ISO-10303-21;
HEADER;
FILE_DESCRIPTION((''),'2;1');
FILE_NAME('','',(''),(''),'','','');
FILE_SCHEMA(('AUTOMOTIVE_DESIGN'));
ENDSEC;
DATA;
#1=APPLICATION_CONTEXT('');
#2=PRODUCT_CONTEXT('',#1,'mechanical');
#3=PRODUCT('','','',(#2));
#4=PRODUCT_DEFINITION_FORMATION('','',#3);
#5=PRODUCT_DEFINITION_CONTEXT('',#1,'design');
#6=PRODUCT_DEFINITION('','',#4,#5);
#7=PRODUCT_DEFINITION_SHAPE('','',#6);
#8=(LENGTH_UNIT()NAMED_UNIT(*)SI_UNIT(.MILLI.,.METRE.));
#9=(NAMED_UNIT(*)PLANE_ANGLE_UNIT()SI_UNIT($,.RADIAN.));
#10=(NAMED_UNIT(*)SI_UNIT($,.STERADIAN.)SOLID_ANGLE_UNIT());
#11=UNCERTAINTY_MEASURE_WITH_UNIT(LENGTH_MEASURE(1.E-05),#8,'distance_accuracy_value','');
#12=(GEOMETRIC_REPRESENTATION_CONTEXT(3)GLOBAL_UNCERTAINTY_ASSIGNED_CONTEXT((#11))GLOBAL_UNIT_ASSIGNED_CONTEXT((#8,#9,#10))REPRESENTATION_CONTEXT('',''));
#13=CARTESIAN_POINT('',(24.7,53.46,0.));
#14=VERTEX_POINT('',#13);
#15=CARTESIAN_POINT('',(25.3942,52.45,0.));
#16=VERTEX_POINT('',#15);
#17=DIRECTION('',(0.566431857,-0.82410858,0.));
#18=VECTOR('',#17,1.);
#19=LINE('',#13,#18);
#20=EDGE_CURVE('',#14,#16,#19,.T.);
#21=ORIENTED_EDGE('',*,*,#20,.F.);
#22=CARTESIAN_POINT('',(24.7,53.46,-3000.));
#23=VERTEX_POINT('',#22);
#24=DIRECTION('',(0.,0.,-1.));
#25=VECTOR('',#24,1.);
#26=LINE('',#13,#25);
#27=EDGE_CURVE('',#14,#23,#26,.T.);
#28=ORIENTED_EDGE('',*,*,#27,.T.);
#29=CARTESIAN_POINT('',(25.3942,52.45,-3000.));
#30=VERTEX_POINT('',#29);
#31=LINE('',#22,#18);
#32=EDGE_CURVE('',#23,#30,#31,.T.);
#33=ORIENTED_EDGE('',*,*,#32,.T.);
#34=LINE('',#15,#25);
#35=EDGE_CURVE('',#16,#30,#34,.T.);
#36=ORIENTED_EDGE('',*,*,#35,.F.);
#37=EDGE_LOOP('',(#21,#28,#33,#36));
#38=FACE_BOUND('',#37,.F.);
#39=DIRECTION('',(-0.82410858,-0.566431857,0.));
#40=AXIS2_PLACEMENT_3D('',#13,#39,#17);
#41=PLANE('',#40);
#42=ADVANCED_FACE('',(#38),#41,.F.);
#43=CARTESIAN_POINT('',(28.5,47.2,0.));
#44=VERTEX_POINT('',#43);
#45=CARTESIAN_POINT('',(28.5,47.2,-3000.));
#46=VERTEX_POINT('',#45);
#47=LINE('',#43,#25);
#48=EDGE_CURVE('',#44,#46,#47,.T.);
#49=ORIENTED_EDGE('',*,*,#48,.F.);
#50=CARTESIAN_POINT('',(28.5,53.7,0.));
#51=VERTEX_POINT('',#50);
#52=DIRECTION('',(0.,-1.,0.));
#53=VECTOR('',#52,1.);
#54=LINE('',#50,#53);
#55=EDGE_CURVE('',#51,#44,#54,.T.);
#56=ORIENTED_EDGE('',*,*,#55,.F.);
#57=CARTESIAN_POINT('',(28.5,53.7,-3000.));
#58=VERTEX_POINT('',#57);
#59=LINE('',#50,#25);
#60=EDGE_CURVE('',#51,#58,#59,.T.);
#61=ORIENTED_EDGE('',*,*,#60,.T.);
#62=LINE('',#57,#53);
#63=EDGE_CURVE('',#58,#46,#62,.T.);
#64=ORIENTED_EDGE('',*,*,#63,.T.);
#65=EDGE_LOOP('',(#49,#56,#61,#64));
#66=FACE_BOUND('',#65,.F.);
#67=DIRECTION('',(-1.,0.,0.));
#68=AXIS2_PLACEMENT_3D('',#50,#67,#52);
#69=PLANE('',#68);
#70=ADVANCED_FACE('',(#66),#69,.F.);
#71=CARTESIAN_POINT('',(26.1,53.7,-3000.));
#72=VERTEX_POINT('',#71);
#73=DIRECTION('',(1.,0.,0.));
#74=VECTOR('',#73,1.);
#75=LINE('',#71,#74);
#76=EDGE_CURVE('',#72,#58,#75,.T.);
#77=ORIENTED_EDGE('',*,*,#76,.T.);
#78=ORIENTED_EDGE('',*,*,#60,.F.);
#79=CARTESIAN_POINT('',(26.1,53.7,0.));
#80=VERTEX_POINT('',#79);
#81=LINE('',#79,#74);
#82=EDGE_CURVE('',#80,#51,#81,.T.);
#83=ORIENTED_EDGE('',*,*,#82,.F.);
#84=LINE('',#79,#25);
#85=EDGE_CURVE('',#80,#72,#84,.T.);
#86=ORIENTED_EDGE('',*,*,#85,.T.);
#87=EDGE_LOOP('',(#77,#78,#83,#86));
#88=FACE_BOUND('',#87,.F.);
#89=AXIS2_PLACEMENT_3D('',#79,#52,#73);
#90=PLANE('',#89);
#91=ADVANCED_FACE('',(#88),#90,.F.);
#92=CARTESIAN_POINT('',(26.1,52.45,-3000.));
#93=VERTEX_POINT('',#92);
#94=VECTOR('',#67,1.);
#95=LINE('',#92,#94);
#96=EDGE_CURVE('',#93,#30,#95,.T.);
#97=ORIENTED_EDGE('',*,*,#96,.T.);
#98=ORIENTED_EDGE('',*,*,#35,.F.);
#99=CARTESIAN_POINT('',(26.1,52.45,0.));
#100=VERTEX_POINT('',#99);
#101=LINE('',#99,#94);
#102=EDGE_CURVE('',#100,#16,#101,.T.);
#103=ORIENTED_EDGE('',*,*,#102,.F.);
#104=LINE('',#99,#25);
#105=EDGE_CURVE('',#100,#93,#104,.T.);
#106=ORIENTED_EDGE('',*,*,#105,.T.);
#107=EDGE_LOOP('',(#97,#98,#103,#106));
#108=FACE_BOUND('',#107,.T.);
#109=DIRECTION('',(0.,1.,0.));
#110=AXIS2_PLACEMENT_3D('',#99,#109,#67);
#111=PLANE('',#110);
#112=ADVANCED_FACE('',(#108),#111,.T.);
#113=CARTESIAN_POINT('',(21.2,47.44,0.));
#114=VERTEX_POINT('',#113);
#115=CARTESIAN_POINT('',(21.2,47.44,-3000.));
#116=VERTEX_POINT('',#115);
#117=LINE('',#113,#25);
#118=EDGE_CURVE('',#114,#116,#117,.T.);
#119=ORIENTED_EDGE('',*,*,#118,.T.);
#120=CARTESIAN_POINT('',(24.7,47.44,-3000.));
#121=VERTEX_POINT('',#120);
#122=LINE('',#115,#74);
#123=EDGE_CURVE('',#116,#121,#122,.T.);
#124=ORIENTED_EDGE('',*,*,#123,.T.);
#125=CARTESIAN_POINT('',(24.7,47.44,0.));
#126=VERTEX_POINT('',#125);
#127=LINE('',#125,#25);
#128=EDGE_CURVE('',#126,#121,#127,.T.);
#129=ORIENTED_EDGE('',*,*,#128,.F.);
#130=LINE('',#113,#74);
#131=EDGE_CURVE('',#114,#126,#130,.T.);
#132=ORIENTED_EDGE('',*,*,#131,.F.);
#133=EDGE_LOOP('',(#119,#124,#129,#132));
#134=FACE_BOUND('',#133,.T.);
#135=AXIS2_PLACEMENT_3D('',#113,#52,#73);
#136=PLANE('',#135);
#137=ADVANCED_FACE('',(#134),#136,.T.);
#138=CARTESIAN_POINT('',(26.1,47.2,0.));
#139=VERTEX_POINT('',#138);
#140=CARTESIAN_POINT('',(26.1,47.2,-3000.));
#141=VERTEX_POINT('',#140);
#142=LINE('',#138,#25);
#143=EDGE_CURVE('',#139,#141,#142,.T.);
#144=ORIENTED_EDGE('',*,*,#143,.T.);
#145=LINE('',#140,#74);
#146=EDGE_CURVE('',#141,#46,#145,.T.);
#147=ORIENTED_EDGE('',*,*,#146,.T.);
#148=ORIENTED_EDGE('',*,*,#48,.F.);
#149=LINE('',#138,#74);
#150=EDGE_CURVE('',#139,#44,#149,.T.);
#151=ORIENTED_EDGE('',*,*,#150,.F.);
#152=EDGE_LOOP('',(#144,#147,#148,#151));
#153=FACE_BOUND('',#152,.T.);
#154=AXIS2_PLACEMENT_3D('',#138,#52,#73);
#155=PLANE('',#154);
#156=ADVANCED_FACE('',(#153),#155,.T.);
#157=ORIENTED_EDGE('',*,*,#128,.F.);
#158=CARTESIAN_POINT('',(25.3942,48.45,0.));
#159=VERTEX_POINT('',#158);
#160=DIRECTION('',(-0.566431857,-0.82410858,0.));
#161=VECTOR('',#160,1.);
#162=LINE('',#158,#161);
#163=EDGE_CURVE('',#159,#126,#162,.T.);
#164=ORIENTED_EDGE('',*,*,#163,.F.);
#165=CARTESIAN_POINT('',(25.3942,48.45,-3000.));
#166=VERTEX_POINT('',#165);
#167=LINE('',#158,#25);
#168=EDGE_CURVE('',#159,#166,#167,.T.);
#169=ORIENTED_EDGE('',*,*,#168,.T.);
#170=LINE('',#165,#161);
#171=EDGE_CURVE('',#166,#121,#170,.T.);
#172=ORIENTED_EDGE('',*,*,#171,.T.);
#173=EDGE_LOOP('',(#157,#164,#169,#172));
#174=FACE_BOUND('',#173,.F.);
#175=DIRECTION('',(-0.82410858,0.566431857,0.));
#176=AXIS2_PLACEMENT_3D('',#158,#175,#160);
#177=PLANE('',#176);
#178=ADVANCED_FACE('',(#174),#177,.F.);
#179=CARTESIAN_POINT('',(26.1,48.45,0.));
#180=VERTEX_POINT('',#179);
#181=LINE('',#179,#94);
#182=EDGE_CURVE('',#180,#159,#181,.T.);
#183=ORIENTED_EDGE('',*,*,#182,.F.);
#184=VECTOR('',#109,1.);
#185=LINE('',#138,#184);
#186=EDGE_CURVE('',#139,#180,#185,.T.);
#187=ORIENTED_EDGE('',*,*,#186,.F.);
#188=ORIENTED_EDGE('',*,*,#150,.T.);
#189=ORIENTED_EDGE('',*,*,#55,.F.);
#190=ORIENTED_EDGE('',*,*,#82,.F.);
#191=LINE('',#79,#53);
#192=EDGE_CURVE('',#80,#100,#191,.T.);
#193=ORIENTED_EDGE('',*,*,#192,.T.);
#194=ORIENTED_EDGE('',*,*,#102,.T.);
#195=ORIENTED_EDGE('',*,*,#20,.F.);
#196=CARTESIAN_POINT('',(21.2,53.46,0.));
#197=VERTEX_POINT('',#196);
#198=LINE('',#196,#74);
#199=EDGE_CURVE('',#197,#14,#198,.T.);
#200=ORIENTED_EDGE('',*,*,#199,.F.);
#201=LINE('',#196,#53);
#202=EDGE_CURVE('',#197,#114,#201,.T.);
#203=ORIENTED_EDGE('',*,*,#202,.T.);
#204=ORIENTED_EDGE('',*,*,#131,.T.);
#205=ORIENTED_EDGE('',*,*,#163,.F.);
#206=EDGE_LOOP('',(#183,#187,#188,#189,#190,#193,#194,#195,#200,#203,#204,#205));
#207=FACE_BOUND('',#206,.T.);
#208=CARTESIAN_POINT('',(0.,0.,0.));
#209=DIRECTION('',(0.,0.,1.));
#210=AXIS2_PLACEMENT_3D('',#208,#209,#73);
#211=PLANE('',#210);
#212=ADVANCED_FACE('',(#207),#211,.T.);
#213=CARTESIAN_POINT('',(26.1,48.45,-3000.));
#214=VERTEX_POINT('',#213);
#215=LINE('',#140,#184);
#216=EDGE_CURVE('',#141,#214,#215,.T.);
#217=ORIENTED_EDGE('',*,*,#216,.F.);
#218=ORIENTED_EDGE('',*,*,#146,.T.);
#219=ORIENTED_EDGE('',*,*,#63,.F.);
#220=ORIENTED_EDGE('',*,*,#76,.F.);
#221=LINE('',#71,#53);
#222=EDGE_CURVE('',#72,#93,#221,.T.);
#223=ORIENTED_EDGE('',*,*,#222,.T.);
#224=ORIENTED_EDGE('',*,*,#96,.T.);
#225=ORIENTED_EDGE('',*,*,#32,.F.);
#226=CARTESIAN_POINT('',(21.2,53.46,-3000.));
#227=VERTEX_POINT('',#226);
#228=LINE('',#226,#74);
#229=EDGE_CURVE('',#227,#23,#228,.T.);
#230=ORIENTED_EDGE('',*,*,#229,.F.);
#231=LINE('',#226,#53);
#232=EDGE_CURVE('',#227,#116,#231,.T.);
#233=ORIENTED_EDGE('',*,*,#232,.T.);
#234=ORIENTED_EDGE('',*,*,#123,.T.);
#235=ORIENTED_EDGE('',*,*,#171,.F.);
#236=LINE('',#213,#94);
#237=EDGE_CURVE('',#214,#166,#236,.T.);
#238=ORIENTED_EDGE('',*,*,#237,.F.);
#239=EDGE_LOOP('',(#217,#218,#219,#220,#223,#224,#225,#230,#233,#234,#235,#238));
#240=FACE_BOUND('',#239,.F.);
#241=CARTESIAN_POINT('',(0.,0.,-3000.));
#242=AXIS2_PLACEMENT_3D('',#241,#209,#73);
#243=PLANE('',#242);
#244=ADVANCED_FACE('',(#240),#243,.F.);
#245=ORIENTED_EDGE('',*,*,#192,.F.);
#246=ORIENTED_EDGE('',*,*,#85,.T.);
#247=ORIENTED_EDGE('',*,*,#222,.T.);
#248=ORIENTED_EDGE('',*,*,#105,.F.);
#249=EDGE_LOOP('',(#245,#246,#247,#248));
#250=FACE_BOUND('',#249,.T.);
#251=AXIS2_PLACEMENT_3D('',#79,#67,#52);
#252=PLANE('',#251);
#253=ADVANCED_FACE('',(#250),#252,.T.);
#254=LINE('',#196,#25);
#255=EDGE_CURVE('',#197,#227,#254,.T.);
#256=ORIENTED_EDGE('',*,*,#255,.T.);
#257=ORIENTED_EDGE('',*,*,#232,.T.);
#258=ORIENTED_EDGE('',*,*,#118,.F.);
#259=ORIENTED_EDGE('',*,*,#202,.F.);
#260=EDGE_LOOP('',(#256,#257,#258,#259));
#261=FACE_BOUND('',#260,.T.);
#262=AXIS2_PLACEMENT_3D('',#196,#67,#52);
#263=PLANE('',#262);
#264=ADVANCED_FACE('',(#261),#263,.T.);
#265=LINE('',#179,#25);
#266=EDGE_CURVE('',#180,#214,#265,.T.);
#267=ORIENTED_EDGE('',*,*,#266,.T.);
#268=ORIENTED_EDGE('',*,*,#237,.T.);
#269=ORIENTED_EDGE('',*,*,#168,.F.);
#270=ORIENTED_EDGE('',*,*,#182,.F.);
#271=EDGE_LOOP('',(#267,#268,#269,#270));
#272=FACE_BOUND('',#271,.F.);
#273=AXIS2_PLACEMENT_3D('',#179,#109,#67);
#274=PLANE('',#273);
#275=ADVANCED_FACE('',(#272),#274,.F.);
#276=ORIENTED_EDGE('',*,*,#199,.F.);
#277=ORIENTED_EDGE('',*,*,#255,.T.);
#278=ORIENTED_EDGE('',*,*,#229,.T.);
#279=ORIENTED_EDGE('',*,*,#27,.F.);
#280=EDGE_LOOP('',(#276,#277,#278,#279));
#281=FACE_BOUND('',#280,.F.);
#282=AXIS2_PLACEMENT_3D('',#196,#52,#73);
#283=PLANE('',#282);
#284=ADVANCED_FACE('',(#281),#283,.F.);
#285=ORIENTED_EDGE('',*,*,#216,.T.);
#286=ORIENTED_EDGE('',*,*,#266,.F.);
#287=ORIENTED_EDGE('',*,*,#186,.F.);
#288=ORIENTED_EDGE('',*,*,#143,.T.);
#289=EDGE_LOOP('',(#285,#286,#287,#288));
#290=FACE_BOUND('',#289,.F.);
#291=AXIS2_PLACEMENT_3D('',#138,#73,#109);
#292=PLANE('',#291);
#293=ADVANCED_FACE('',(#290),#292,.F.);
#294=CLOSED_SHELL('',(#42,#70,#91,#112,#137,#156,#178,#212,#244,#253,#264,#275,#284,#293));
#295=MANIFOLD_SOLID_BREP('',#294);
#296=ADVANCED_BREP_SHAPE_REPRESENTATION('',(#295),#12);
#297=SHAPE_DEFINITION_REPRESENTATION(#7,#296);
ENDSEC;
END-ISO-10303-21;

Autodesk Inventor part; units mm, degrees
ref_plane "YZ Plane" through (0, 0, 0) normal (1, 0, 0) x (0, 1, 0)
ref_plane "XZ Plane" through (0, 0, 0) normal (0, 1, 0) x (-1, 0, 0)
ref_plane "XY Plane" through (0, 0, 0) normal (0, 0, 1) x (1, 0, 0)
sketch "Boceto1" plane through (0, 0, 0) normal (0, 0, 1) x (1, 0, 0)
  line L0 (28.5, 53.7) -> (28.5, 47.2)
  line L1 (26.1, 47.2) -> (28.5, 47.2)
  line L2 (26.1, 48.45) -> (25.3942, 48.45)
  line L3 (25.3942, 48.45) -> (24.7, 47.44)
  line L4 (26.1, 52.45) -> (25.3942, 52.45)
  line L5 (26.1, 53.7) -> (28.5, 53.7)
  line L6 (24.7, 53.46) -> (25.3942, 52.45)
  line L7 (26.1, 53.7) -> (26.1, 52.45)
  line L8 (26.1, 47.2) -> (26.1, 48.45)
  line L9 (21.2, 53.46) -> (24.7, 53.46)
  line L10 (21.2, 47.44) -> (24.7, 47.44)
  line L11 (21.2, 53.46) -> (21.2, 47.44)
  point P0 (28.5, 50.45)
  dimension "d78" = 6.5
  dimension "d88" = 2.4
  dimension "d95" = 6.02
  dimension "d100" = 2.4
  dimension "d108" = 4
  dimension "d109" = 0.7058
  dimension "d110" = 0.7058
  dimension "d145" = 2
  dimension "d146" = 2
  dimension "d150" = 3.5
extrude "Extrusión1" add sketch "Boceto1" against normal blind 3000
properties part number "SP40-02 JUNTA INT 207" material "Caucho, negro"
